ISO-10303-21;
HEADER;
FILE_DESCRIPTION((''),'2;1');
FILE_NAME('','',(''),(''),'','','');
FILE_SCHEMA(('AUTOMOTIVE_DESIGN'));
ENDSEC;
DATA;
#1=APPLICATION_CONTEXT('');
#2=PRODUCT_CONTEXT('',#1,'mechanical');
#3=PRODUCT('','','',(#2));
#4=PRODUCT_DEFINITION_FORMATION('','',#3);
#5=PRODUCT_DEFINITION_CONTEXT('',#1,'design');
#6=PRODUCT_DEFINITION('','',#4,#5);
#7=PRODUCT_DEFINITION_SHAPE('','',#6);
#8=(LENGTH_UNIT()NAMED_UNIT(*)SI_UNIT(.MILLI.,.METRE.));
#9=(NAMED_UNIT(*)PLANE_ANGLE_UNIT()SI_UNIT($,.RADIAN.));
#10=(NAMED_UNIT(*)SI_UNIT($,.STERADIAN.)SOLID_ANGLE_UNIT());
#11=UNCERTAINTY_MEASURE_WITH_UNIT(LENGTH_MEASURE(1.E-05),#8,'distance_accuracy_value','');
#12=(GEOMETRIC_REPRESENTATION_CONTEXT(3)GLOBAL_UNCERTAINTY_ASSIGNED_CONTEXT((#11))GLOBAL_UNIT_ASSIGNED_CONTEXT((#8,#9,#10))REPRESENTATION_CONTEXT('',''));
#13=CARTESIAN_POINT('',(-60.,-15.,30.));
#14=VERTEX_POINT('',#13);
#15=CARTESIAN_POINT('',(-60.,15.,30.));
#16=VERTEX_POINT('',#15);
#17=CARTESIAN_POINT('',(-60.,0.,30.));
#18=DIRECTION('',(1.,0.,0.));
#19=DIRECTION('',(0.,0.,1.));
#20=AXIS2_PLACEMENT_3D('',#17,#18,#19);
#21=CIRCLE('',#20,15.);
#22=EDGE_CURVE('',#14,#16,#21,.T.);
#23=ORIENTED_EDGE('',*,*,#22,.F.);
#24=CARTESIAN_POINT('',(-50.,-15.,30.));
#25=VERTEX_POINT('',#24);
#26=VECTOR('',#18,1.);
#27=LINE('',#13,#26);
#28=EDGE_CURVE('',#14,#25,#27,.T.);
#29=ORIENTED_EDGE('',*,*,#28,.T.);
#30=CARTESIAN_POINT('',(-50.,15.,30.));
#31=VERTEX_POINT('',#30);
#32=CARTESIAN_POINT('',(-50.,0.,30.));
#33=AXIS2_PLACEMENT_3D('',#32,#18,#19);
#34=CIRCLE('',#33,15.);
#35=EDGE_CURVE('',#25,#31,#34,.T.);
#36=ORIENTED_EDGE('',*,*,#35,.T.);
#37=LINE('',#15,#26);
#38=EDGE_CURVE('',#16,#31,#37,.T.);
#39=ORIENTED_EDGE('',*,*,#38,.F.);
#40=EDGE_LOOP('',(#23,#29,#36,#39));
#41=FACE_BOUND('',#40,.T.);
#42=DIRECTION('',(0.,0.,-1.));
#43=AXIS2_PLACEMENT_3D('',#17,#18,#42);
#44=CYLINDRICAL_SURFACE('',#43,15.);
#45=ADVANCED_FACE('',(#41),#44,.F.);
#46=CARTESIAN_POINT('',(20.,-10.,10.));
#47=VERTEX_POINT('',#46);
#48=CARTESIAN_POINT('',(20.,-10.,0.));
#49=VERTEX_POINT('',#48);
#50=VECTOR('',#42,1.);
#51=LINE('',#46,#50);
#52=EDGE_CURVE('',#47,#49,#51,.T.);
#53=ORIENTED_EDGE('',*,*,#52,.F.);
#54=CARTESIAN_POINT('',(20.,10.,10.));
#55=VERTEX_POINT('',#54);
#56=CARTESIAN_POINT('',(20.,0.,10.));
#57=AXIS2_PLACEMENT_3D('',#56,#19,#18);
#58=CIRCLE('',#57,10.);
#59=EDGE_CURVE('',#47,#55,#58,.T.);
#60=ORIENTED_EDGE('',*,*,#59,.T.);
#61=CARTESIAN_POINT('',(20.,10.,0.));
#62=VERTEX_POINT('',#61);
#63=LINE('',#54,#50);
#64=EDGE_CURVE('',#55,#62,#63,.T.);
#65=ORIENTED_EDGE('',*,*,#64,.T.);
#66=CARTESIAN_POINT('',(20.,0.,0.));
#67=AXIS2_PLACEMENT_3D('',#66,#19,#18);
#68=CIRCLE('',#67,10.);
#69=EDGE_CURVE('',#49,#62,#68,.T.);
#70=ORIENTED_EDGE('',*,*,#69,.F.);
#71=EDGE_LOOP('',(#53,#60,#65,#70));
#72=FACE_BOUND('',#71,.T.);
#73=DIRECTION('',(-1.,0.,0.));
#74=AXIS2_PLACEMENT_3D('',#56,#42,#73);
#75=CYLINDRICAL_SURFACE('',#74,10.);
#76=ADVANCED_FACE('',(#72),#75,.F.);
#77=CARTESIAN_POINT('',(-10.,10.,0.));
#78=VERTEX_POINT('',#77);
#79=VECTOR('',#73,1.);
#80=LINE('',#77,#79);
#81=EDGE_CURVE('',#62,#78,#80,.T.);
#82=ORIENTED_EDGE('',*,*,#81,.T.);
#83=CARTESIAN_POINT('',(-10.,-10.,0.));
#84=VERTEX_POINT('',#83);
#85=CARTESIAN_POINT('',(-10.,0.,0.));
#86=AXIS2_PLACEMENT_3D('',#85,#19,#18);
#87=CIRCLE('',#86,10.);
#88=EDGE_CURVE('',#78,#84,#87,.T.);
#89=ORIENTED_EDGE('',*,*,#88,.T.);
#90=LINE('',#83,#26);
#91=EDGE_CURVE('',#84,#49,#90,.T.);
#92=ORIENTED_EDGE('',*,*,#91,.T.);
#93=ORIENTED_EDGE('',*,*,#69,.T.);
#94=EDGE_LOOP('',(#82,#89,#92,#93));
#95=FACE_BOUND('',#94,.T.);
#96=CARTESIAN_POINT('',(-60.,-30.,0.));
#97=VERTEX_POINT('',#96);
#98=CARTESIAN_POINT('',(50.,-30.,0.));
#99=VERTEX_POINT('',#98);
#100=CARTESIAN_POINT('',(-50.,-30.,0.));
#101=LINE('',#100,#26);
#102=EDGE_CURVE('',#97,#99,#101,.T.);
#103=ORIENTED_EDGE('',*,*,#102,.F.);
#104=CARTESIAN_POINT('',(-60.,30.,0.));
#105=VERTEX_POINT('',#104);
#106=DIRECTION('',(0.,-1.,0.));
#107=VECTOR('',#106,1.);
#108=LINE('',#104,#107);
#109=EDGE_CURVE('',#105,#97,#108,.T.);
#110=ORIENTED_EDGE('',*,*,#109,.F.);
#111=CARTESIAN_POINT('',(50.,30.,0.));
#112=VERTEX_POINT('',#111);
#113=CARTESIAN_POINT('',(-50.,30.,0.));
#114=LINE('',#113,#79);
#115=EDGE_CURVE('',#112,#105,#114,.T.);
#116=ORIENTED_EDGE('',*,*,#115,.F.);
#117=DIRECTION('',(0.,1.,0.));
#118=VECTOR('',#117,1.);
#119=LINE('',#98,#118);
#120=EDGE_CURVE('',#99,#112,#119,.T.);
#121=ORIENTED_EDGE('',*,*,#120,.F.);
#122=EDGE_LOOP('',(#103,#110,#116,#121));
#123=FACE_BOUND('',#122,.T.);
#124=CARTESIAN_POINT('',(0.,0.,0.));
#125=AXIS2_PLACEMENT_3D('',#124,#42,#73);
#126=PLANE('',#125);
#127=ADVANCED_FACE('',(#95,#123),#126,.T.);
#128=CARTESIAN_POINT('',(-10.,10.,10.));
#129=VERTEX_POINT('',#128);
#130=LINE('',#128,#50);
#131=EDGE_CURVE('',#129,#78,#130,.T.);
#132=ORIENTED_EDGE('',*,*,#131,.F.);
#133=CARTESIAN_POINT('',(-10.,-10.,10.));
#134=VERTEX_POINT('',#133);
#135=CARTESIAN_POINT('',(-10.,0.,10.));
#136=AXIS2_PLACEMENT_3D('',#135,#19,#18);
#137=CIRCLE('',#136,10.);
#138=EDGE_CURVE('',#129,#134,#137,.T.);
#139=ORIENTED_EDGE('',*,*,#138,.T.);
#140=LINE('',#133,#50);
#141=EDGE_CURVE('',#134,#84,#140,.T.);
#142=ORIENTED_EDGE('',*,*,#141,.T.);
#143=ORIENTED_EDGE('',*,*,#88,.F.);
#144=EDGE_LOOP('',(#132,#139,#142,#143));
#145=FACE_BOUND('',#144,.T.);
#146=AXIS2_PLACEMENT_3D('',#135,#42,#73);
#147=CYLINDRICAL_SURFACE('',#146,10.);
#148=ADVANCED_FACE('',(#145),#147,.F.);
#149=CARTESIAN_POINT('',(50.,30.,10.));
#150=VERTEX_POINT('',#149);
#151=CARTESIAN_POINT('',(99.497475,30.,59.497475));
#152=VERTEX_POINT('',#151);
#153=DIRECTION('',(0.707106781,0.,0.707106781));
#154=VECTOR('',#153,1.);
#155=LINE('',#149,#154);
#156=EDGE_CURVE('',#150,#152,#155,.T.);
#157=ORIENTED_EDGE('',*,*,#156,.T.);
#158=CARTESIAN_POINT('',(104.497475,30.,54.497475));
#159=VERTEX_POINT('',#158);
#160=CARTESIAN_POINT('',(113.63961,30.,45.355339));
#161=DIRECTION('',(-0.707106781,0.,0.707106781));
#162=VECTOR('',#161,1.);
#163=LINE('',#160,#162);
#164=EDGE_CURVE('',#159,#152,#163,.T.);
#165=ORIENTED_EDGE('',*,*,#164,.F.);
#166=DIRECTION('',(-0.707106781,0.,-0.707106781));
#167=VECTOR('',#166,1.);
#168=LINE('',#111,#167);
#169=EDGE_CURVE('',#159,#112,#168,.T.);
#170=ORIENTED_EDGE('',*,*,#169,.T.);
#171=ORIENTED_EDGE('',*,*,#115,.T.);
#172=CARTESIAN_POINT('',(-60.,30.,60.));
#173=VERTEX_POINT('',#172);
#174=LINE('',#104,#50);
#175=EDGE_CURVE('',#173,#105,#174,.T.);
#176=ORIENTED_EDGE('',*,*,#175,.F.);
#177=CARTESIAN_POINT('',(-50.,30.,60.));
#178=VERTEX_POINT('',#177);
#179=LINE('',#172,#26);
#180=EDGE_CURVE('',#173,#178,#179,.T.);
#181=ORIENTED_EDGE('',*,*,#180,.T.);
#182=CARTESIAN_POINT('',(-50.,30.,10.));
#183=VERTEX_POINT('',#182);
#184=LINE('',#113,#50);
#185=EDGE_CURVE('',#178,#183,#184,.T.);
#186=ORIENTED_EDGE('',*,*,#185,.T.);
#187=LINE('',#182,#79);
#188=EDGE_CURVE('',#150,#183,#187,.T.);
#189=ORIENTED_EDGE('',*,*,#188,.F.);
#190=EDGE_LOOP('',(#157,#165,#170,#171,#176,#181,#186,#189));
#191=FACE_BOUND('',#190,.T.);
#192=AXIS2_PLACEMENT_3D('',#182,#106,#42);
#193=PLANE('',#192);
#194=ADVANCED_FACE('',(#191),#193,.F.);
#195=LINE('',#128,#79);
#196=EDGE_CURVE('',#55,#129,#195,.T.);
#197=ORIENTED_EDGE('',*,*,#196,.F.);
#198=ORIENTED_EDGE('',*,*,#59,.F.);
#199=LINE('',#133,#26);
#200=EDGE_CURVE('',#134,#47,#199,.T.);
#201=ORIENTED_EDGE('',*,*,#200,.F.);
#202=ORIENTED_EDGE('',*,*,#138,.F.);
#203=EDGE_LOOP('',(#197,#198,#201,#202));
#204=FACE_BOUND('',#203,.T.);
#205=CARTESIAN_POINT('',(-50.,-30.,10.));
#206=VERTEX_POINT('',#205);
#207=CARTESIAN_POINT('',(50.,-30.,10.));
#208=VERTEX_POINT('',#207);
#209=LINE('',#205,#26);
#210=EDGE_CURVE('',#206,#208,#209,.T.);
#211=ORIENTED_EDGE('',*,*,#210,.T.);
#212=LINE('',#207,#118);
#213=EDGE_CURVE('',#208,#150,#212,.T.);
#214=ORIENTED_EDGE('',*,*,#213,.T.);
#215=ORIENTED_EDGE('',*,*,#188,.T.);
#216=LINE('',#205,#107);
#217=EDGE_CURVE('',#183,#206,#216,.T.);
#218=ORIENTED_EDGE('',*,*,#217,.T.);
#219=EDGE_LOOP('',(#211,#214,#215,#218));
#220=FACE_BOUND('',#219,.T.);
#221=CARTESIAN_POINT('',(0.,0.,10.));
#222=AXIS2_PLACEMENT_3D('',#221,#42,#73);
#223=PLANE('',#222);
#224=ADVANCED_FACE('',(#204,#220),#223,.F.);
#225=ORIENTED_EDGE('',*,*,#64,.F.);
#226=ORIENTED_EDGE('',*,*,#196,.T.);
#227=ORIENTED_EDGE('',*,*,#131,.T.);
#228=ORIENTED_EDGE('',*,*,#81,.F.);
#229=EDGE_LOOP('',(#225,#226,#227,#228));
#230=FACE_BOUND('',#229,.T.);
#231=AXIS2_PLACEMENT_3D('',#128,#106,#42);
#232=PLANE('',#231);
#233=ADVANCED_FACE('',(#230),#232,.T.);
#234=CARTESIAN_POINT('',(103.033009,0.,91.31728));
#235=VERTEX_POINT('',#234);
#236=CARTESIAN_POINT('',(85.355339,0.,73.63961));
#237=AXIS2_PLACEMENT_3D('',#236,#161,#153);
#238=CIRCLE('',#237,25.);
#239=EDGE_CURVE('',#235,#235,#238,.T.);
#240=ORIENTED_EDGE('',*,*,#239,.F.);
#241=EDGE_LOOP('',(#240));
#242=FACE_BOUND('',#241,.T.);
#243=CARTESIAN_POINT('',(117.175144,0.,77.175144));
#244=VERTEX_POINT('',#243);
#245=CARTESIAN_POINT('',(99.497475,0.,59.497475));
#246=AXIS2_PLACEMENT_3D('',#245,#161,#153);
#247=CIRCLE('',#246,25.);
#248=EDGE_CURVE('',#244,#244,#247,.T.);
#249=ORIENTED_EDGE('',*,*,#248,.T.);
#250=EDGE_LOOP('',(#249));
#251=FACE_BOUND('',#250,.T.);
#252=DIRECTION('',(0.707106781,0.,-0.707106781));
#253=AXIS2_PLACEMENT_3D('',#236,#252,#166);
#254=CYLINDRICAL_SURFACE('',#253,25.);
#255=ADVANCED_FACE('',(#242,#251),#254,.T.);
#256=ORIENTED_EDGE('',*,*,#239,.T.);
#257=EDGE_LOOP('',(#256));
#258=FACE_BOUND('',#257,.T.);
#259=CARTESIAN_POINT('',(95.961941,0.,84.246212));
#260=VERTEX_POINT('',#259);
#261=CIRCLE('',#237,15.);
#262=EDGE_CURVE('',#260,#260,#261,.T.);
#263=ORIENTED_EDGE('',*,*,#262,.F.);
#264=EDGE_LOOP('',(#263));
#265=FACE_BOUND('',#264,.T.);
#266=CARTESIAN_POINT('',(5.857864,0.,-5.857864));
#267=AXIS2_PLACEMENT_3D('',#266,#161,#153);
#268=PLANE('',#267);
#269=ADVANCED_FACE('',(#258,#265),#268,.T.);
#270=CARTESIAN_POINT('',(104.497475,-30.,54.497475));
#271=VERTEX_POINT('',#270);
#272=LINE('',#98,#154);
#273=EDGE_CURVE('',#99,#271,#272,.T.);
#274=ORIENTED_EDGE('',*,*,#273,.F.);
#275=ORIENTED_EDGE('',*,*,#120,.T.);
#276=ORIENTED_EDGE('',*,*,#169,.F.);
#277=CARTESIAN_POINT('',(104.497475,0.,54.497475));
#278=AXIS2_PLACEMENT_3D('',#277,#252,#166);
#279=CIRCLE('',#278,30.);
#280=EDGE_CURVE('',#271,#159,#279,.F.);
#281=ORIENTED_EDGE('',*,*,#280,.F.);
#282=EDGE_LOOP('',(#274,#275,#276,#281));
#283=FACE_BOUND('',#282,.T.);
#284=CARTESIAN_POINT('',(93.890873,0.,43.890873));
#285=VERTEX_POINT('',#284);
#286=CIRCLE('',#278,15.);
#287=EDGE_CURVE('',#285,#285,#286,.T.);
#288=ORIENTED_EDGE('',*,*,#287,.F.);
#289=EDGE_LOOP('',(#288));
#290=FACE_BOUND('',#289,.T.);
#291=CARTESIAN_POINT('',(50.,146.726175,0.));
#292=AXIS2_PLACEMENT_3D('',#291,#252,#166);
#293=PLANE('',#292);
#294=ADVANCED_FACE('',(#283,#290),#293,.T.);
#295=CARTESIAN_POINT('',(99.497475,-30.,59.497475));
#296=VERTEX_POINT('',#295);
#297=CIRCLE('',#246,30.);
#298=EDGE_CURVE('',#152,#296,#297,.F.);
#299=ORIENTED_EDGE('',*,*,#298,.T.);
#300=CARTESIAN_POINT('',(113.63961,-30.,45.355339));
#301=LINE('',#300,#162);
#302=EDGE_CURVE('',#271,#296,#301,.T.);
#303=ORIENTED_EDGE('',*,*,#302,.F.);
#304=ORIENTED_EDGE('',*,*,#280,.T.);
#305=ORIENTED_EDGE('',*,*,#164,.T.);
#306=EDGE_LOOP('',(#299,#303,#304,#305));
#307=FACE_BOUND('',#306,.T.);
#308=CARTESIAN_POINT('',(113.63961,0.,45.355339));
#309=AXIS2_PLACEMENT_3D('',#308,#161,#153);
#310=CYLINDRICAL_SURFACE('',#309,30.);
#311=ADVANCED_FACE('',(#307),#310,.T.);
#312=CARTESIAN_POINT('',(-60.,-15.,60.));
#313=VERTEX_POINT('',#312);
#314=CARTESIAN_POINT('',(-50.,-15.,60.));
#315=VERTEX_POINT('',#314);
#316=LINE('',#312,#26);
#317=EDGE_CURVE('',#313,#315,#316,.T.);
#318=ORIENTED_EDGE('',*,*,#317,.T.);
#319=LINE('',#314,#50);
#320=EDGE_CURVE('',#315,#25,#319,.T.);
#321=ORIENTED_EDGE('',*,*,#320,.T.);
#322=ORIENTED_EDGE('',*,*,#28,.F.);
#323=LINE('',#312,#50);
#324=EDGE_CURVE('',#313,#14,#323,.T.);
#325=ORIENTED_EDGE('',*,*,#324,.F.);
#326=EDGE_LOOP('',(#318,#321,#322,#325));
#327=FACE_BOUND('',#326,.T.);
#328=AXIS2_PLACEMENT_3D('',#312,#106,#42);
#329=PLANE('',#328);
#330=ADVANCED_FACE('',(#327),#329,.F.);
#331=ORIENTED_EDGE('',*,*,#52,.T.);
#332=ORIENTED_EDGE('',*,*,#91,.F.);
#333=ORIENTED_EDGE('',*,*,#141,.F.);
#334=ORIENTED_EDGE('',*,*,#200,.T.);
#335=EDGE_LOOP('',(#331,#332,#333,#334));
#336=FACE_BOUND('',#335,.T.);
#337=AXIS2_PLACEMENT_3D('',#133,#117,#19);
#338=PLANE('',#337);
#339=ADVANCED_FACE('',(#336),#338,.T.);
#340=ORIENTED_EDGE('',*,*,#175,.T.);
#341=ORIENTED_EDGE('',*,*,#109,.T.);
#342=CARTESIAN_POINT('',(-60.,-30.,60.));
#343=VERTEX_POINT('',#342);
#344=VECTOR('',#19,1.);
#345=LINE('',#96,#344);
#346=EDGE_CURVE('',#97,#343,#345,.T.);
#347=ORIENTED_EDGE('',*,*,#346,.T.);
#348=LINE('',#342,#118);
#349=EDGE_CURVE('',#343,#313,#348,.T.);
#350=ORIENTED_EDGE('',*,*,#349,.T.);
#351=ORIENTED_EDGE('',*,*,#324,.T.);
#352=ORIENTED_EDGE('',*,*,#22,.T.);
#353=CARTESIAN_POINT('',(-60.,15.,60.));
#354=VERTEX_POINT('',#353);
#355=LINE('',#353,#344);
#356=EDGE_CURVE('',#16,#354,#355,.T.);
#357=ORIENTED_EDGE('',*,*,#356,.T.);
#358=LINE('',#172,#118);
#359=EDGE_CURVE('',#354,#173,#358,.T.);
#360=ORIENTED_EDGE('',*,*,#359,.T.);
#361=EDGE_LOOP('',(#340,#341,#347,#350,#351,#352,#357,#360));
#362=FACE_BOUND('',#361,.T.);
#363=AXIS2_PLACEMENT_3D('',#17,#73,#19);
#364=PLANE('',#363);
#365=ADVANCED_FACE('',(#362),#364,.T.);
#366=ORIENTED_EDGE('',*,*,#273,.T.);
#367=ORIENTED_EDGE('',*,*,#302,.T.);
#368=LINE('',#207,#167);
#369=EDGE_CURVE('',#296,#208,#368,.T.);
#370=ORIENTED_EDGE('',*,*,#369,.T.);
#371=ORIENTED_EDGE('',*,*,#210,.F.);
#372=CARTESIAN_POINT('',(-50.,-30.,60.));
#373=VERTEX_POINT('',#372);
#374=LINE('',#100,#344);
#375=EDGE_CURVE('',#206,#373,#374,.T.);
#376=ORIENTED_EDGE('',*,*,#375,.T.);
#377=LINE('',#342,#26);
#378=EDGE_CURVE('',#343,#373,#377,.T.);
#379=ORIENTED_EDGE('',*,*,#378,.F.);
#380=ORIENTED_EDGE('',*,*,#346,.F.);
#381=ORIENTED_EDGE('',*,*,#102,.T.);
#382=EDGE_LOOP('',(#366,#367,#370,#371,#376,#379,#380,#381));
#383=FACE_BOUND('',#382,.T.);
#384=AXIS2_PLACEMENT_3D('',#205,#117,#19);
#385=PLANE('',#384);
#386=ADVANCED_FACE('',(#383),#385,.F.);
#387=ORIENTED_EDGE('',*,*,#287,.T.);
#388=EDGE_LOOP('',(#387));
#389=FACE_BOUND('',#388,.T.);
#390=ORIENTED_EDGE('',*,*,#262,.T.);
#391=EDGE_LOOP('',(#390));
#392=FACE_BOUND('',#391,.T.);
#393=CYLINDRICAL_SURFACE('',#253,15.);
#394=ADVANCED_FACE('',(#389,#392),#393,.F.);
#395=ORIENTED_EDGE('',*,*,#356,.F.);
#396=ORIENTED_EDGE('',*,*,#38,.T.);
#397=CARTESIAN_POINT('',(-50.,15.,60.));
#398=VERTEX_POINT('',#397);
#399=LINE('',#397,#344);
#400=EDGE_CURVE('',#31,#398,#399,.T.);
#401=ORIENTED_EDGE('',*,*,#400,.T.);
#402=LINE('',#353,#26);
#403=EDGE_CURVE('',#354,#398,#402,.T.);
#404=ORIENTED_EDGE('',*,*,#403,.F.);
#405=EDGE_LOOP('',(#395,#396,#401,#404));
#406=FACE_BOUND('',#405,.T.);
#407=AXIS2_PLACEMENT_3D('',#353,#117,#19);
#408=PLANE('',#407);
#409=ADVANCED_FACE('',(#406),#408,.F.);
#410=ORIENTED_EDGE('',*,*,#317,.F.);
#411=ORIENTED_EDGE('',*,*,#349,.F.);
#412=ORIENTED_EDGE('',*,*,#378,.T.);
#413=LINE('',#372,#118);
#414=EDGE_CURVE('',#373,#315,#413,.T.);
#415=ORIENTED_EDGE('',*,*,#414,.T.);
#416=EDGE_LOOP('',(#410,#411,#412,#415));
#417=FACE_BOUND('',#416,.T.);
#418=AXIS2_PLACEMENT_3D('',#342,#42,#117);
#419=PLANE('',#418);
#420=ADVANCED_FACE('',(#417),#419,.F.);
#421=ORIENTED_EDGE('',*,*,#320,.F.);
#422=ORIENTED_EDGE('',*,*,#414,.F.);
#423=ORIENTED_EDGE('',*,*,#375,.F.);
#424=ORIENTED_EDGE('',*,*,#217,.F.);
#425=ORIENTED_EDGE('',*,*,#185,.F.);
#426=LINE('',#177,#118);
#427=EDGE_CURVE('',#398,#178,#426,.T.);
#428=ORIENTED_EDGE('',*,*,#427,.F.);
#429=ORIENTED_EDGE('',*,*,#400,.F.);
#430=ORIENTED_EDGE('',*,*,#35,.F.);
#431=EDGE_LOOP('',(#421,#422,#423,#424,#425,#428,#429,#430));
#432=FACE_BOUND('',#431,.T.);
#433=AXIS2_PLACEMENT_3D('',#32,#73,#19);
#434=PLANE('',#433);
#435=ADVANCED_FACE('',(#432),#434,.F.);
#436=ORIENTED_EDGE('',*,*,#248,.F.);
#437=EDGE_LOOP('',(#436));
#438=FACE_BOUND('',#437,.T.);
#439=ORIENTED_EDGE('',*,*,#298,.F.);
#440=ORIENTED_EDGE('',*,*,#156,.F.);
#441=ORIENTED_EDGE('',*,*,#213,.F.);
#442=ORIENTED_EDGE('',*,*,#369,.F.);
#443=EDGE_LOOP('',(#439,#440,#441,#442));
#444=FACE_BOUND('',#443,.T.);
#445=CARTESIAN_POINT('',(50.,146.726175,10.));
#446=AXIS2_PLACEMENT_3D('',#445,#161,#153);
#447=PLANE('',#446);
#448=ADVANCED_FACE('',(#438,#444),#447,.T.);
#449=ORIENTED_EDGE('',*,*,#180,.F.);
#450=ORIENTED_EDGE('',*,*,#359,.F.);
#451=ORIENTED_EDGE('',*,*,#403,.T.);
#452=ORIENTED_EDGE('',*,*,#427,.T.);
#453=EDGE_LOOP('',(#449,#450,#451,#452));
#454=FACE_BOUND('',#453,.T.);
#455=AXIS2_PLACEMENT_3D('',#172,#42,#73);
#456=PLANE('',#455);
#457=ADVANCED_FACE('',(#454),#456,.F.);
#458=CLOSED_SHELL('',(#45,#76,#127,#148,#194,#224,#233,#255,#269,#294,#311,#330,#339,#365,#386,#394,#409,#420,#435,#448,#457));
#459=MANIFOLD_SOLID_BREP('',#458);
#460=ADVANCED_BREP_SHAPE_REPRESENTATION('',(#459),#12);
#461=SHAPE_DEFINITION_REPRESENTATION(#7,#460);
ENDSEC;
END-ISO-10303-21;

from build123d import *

# Parameters (mm, degrees)
SKETCH1_W           = 100
SKETCH1_H           = 60
BOSS_EXTRUDE1_DEPTH = 10
BOSS_EXTRUDE2_DEPTH = 10
BOSS_EXTRUDE3_DEPTH = 60
SKETCH5_R           = 25
SKETCH5_R_2         = 15
BOSS_EXTRUDE4_DEPTH = 20
CUT_EXTRUDE3_DEPTH  = 20
CUT_EXTRUDE4_START  = -20
SKETCH6_R           = 15
CUT_EXTRUDE4_DEPTH  = 20


with BuildPart() as part:
    # Sketch1 → Boss-Extrude1 (new body)
    with BuildSketch(Plane.XY):
        Rectangle(SKETCH1_W, SKETCH1_H)
        with BuildLine():
            Line((-10, 10), (20, 10))
            ThreePointArc((20, 10), (30, 0), (20, -10))
            Line((20, -10), (-10, -10))
            ThreePointArc((-10, -10), (-20, 0), (-10, 10))
        make_face(mode=Mode.SUBTRACT)
    extrude(amount=BOSS_EXTRUDE1_DEPTH)

    # Sketch3 → Boss-Extrude2 (add)
    with BuildSketch(Plane.ZY.offset(50)):
        with BuildLine():
            Line((0, 30), (60, 30))
            Line((60, 30), (60, 15))
            Line((60, 15), (30, 15))
            ThreePointArc((30, 15), (15, 0), (30, -15))
            Line((30, -15), (60, -15))
            Line((60, -15), (60, -30))
            Line((60, -30), (0, -30))
            Line((0, -30), (0, 30))
        make_face()
    extrude(amount=BOSS_EXTRUDE2_DEPTH)

    # Sketch4 → Boss-Extrude3 (add)
    with BuildSketch(Plane.XZ.offset(30)):
        Polygon((50, 10), (125, 85), (130, 80), (50, 0), align=None)
    extrude(amount=-BOSS_EXTRUDE3_DEPTH)

    # Sketch5 → Boss-Extrude4 (add)
    with BuildSketch(Plane(origin=(20, 0, -20), x_dir=(0.7071067811865462, 0, 0.7071067811865488), z_dir=(-0.7071067811865488, 0, 0.7071067811865462))):
        with Locations((112.426406871, 0)):
            Circle(SKETCH5_R)
        with Locations((112.426406871, 0)):
            Circle(SKETCH5_R_2, mode=Mode.SUBTRACT)
    extrude(amount=BOSS_EXTRUDE4_DEPTH)

    # Sketch5<4> → Cut-Extrude3 (cut)
    with BuildSketch(Plane(origin=(20, 0, -20), x_dir=(0.7071067811865462, 0, 0.7071067811865488), z_dir=(-0.7071067811865488, 0, 0.7071067811865462))):
        with BuildLine():
            Line((112.426406871, -30), (148.492424049, -30))
            Line((148.492424049, -30), (148.492424049, 30))
            Line((148.492424049, 30), (112.426406871, 30))
            ThreePointArc((112.426406871, 30), (142.426406871, 0), (112.426406871, -30))
        make_face()
    extrude(amount=-CUT_EXTRUDE3_DEPTH, mode=Mode.SUBTRACT)

    # Sketch6 → Cut-Extrude4 (cut)
    with BuildSketch(Plane(origin=(20, 0, -20), x_dir=(0.7071067811865464, 0, 0.7071067811865488), z_dir=(-0.7071067811865488, 0, 0.7071067811865464)).offset(CUT_EXTRUDE4_START)):
        with Locations(Location((112.426406871, 0, 0), (0, 0, 180))):
            Circle(SKETCH6_R)
    extrude(amount=CUT_EXTRUDE4_DEPTH, mode=Mode.SUBTRACT)


solid = part.part
